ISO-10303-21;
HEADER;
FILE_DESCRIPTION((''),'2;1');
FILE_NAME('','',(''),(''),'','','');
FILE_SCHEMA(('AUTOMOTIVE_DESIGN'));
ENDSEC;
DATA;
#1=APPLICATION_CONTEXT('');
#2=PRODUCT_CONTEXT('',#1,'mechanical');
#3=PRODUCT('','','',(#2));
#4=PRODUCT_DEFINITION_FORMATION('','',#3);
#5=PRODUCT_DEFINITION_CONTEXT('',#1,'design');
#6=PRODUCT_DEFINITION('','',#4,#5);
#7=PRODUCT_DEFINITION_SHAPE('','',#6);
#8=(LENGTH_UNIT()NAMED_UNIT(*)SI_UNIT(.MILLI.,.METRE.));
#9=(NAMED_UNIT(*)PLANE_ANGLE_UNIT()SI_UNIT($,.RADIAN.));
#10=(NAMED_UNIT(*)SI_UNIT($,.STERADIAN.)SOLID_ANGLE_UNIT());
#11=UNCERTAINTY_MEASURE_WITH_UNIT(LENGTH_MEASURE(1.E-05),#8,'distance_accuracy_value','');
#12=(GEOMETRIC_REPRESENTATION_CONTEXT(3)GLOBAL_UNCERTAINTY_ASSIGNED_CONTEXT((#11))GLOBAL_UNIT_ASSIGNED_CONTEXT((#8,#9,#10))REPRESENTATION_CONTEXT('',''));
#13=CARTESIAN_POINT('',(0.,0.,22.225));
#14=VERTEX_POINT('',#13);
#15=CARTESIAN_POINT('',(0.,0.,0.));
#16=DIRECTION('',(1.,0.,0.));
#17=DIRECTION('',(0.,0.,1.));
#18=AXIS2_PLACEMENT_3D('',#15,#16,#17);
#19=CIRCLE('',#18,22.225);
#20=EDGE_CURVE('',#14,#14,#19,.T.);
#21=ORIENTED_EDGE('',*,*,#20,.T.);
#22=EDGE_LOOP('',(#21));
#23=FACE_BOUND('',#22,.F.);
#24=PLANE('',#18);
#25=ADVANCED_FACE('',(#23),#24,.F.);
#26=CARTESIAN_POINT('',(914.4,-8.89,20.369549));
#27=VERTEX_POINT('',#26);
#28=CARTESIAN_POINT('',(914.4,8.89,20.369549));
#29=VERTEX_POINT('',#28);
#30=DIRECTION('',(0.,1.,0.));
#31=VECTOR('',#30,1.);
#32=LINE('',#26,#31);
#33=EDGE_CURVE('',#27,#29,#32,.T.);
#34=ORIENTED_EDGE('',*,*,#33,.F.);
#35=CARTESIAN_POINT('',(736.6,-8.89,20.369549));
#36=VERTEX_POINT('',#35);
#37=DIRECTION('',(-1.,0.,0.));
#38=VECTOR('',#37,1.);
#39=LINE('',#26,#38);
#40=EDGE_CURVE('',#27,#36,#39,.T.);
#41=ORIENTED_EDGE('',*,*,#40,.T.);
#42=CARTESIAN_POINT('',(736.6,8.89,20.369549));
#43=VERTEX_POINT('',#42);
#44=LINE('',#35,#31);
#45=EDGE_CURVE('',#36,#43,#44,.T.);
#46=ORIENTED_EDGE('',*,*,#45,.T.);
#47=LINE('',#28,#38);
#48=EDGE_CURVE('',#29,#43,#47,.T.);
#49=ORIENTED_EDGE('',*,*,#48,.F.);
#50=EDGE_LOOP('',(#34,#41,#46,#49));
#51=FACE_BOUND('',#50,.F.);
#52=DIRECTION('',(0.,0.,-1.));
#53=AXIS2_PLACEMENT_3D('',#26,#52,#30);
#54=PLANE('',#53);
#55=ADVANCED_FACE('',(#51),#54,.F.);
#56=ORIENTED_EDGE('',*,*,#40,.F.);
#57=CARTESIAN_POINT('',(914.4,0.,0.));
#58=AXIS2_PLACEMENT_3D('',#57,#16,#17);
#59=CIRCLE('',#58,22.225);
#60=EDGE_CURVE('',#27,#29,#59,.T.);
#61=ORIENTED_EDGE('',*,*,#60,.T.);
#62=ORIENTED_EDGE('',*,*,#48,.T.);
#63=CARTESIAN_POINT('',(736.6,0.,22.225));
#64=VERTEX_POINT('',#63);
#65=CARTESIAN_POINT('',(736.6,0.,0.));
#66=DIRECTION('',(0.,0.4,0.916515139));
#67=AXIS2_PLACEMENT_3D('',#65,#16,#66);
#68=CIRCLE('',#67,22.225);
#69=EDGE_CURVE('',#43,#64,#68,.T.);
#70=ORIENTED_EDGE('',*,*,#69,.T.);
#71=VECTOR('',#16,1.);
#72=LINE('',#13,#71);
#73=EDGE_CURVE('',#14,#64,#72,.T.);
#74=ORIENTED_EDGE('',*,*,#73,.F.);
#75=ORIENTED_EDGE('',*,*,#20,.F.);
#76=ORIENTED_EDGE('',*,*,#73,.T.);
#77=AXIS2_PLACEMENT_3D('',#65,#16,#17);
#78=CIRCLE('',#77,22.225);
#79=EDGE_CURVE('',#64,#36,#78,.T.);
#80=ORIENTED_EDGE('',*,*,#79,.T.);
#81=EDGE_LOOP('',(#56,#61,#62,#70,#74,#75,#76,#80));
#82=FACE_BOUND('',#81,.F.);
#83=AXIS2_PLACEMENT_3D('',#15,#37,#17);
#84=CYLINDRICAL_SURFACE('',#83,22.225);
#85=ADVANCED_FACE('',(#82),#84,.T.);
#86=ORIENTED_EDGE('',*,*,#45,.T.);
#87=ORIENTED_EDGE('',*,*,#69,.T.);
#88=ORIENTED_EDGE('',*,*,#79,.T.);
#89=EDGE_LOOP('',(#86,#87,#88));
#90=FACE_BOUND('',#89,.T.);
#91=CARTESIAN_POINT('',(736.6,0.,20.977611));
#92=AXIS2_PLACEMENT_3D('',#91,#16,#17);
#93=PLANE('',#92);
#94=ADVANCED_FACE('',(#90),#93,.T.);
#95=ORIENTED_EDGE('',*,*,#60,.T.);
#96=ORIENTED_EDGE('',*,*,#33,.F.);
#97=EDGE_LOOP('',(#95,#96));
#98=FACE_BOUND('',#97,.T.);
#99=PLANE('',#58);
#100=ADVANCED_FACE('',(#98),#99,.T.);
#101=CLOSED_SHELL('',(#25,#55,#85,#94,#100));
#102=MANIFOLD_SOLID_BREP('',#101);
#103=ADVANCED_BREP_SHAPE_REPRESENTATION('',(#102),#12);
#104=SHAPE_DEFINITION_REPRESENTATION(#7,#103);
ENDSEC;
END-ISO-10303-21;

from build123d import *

# Parameters (mm, degrees)
F0_R     = 22.225
F1_DEPTH = 914.4
F3_DEPTH = 177.8
F4_ANGLE = 90


with BuildPart() as f1:
    # F0 (on Right) → F1 (new body)
    with BuildSketch(Plane.YZ):
        Circle(F0_R)
    extrude(amount=F1_DEPTH)

    # F2 (on face) → F3 (cut)
    with BuildSketch(Plane.YZ.offset(914.4)):
        with BuildLine():
            Line((20.3695489641, 8.89), (20.3695489641, -8.89))
            ThreePointArc((20.3695489641, -8.89), (21.7561928049, -4.540781831), (22.225, 0))
            ThreePointArc((22.225, 0), (21.7561928049, 4.540781831), (20.3695489641, 8.89))
        make_face()
    extrude(amount=-F3_DEPTH, mode=Mode.SUBTRACT)


with BuildPart() as f1_1:
    # F4: moved
    add(f1.part.rotate(Axis((0, 0, 0), (1, 0, 0)), F4_ANGLE))


solid = f1_1.part
